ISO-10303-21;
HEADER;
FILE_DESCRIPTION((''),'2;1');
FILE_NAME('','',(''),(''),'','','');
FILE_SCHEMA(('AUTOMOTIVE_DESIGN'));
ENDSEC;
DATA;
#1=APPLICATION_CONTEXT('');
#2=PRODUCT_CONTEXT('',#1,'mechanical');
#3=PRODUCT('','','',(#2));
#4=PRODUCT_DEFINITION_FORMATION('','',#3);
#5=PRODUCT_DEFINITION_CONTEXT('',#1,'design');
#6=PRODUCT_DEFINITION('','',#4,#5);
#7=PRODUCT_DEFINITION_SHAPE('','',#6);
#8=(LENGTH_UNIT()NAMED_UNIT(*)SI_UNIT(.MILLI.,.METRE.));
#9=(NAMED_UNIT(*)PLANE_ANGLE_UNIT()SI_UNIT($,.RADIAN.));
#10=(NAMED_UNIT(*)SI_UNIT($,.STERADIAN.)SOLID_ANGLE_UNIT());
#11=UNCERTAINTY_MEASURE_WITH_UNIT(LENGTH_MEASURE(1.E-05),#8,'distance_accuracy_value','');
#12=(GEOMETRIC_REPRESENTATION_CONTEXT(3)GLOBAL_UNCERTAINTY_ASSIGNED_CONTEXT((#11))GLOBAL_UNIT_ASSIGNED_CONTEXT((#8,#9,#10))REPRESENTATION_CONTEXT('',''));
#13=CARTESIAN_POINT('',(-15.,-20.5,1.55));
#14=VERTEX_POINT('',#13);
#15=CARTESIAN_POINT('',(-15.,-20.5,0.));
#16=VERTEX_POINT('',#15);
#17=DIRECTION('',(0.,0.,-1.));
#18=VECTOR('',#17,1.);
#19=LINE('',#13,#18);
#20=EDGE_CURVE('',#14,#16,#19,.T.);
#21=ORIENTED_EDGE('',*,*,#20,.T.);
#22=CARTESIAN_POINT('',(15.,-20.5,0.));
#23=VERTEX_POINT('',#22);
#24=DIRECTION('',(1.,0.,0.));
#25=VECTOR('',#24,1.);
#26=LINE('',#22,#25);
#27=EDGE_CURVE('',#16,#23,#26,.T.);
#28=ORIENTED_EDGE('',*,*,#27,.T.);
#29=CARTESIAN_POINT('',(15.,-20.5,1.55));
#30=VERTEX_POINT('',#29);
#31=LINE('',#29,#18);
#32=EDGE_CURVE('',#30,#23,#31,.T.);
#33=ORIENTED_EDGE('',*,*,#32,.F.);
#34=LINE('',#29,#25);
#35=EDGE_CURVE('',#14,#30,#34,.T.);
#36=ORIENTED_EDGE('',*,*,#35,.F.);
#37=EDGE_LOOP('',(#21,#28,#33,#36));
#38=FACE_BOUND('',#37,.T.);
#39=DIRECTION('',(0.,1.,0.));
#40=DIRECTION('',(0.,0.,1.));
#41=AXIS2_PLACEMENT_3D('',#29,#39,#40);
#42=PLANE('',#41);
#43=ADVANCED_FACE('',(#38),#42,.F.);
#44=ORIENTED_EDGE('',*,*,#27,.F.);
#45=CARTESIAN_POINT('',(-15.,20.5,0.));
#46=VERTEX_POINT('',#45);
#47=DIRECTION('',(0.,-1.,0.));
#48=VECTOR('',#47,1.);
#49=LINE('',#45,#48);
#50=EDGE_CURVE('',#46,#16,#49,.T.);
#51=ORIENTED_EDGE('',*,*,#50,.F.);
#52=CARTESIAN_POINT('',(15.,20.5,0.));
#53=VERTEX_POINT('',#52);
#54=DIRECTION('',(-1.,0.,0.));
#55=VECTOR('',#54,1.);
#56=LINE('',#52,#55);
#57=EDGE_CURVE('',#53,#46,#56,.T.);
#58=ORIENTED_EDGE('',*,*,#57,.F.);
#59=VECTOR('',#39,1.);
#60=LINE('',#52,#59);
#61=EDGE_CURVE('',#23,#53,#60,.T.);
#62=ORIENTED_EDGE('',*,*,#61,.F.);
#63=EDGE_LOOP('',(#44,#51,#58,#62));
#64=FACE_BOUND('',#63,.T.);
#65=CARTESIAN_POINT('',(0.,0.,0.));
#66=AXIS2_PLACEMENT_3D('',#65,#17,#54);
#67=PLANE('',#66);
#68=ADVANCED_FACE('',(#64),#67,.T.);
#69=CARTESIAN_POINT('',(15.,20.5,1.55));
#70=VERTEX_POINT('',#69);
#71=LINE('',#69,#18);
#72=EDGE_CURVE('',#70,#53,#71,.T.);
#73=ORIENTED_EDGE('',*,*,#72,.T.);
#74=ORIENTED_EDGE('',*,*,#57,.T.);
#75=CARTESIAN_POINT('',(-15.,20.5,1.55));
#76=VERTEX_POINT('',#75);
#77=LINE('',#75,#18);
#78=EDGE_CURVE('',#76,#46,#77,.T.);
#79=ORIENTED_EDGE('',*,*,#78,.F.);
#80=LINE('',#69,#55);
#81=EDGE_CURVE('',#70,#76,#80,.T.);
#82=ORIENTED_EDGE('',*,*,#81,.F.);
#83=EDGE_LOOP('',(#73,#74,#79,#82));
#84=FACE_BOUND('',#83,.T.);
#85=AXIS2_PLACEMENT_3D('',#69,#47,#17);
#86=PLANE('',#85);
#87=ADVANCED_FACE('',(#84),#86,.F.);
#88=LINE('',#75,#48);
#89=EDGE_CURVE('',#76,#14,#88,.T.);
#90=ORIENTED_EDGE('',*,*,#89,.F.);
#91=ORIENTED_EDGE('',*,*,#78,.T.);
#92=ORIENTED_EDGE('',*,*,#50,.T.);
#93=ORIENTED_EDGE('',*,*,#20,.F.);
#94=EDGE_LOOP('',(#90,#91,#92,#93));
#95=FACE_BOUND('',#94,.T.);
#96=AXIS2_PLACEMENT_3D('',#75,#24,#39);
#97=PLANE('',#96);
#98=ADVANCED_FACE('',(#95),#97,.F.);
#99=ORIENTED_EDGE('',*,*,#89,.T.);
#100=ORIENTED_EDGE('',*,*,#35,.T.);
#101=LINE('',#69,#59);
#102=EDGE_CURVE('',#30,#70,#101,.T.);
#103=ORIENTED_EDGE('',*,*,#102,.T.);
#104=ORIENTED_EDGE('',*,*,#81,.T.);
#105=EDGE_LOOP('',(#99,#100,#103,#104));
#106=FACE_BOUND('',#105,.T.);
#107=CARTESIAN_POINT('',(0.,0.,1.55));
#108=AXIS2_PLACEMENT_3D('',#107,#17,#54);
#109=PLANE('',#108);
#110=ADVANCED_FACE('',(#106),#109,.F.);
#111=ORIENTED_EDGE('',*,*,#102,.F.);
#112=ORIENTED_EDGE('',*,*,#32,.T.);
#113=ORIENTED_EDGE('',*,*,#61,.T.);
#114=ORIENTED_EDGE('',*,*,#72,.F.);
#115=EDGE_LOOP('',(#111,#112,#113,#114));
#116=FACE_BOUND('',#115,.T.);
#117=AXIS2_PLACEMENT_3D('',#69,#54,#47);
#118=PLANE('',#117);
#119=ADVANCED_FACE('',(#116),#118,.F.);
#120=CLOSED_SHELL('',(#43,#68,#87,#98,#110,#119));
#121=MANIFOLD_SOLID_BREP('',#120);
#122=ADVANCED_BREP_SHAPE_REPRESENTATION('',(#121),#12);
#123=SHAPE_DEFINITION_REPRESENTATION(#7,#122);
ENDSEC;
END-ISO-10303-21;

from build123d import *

# Parameters (mm, degrees)
ESQUISSE1_W        = 30
ESQUISSE1_H        = 41
BOSS_EXTRU_1_DEPTH = 1.55


with BuildPart() as part:
    # Esquisse1 → Boss.-Extru.1 (new body)
    with BuildSketch(Plane.XY):
        Rectangle(ESQUISSE1_W, ESQUISSE1_H)
    extrude(amount=BOSS_EXTRU_1_DEPTH)


solid = part.part
